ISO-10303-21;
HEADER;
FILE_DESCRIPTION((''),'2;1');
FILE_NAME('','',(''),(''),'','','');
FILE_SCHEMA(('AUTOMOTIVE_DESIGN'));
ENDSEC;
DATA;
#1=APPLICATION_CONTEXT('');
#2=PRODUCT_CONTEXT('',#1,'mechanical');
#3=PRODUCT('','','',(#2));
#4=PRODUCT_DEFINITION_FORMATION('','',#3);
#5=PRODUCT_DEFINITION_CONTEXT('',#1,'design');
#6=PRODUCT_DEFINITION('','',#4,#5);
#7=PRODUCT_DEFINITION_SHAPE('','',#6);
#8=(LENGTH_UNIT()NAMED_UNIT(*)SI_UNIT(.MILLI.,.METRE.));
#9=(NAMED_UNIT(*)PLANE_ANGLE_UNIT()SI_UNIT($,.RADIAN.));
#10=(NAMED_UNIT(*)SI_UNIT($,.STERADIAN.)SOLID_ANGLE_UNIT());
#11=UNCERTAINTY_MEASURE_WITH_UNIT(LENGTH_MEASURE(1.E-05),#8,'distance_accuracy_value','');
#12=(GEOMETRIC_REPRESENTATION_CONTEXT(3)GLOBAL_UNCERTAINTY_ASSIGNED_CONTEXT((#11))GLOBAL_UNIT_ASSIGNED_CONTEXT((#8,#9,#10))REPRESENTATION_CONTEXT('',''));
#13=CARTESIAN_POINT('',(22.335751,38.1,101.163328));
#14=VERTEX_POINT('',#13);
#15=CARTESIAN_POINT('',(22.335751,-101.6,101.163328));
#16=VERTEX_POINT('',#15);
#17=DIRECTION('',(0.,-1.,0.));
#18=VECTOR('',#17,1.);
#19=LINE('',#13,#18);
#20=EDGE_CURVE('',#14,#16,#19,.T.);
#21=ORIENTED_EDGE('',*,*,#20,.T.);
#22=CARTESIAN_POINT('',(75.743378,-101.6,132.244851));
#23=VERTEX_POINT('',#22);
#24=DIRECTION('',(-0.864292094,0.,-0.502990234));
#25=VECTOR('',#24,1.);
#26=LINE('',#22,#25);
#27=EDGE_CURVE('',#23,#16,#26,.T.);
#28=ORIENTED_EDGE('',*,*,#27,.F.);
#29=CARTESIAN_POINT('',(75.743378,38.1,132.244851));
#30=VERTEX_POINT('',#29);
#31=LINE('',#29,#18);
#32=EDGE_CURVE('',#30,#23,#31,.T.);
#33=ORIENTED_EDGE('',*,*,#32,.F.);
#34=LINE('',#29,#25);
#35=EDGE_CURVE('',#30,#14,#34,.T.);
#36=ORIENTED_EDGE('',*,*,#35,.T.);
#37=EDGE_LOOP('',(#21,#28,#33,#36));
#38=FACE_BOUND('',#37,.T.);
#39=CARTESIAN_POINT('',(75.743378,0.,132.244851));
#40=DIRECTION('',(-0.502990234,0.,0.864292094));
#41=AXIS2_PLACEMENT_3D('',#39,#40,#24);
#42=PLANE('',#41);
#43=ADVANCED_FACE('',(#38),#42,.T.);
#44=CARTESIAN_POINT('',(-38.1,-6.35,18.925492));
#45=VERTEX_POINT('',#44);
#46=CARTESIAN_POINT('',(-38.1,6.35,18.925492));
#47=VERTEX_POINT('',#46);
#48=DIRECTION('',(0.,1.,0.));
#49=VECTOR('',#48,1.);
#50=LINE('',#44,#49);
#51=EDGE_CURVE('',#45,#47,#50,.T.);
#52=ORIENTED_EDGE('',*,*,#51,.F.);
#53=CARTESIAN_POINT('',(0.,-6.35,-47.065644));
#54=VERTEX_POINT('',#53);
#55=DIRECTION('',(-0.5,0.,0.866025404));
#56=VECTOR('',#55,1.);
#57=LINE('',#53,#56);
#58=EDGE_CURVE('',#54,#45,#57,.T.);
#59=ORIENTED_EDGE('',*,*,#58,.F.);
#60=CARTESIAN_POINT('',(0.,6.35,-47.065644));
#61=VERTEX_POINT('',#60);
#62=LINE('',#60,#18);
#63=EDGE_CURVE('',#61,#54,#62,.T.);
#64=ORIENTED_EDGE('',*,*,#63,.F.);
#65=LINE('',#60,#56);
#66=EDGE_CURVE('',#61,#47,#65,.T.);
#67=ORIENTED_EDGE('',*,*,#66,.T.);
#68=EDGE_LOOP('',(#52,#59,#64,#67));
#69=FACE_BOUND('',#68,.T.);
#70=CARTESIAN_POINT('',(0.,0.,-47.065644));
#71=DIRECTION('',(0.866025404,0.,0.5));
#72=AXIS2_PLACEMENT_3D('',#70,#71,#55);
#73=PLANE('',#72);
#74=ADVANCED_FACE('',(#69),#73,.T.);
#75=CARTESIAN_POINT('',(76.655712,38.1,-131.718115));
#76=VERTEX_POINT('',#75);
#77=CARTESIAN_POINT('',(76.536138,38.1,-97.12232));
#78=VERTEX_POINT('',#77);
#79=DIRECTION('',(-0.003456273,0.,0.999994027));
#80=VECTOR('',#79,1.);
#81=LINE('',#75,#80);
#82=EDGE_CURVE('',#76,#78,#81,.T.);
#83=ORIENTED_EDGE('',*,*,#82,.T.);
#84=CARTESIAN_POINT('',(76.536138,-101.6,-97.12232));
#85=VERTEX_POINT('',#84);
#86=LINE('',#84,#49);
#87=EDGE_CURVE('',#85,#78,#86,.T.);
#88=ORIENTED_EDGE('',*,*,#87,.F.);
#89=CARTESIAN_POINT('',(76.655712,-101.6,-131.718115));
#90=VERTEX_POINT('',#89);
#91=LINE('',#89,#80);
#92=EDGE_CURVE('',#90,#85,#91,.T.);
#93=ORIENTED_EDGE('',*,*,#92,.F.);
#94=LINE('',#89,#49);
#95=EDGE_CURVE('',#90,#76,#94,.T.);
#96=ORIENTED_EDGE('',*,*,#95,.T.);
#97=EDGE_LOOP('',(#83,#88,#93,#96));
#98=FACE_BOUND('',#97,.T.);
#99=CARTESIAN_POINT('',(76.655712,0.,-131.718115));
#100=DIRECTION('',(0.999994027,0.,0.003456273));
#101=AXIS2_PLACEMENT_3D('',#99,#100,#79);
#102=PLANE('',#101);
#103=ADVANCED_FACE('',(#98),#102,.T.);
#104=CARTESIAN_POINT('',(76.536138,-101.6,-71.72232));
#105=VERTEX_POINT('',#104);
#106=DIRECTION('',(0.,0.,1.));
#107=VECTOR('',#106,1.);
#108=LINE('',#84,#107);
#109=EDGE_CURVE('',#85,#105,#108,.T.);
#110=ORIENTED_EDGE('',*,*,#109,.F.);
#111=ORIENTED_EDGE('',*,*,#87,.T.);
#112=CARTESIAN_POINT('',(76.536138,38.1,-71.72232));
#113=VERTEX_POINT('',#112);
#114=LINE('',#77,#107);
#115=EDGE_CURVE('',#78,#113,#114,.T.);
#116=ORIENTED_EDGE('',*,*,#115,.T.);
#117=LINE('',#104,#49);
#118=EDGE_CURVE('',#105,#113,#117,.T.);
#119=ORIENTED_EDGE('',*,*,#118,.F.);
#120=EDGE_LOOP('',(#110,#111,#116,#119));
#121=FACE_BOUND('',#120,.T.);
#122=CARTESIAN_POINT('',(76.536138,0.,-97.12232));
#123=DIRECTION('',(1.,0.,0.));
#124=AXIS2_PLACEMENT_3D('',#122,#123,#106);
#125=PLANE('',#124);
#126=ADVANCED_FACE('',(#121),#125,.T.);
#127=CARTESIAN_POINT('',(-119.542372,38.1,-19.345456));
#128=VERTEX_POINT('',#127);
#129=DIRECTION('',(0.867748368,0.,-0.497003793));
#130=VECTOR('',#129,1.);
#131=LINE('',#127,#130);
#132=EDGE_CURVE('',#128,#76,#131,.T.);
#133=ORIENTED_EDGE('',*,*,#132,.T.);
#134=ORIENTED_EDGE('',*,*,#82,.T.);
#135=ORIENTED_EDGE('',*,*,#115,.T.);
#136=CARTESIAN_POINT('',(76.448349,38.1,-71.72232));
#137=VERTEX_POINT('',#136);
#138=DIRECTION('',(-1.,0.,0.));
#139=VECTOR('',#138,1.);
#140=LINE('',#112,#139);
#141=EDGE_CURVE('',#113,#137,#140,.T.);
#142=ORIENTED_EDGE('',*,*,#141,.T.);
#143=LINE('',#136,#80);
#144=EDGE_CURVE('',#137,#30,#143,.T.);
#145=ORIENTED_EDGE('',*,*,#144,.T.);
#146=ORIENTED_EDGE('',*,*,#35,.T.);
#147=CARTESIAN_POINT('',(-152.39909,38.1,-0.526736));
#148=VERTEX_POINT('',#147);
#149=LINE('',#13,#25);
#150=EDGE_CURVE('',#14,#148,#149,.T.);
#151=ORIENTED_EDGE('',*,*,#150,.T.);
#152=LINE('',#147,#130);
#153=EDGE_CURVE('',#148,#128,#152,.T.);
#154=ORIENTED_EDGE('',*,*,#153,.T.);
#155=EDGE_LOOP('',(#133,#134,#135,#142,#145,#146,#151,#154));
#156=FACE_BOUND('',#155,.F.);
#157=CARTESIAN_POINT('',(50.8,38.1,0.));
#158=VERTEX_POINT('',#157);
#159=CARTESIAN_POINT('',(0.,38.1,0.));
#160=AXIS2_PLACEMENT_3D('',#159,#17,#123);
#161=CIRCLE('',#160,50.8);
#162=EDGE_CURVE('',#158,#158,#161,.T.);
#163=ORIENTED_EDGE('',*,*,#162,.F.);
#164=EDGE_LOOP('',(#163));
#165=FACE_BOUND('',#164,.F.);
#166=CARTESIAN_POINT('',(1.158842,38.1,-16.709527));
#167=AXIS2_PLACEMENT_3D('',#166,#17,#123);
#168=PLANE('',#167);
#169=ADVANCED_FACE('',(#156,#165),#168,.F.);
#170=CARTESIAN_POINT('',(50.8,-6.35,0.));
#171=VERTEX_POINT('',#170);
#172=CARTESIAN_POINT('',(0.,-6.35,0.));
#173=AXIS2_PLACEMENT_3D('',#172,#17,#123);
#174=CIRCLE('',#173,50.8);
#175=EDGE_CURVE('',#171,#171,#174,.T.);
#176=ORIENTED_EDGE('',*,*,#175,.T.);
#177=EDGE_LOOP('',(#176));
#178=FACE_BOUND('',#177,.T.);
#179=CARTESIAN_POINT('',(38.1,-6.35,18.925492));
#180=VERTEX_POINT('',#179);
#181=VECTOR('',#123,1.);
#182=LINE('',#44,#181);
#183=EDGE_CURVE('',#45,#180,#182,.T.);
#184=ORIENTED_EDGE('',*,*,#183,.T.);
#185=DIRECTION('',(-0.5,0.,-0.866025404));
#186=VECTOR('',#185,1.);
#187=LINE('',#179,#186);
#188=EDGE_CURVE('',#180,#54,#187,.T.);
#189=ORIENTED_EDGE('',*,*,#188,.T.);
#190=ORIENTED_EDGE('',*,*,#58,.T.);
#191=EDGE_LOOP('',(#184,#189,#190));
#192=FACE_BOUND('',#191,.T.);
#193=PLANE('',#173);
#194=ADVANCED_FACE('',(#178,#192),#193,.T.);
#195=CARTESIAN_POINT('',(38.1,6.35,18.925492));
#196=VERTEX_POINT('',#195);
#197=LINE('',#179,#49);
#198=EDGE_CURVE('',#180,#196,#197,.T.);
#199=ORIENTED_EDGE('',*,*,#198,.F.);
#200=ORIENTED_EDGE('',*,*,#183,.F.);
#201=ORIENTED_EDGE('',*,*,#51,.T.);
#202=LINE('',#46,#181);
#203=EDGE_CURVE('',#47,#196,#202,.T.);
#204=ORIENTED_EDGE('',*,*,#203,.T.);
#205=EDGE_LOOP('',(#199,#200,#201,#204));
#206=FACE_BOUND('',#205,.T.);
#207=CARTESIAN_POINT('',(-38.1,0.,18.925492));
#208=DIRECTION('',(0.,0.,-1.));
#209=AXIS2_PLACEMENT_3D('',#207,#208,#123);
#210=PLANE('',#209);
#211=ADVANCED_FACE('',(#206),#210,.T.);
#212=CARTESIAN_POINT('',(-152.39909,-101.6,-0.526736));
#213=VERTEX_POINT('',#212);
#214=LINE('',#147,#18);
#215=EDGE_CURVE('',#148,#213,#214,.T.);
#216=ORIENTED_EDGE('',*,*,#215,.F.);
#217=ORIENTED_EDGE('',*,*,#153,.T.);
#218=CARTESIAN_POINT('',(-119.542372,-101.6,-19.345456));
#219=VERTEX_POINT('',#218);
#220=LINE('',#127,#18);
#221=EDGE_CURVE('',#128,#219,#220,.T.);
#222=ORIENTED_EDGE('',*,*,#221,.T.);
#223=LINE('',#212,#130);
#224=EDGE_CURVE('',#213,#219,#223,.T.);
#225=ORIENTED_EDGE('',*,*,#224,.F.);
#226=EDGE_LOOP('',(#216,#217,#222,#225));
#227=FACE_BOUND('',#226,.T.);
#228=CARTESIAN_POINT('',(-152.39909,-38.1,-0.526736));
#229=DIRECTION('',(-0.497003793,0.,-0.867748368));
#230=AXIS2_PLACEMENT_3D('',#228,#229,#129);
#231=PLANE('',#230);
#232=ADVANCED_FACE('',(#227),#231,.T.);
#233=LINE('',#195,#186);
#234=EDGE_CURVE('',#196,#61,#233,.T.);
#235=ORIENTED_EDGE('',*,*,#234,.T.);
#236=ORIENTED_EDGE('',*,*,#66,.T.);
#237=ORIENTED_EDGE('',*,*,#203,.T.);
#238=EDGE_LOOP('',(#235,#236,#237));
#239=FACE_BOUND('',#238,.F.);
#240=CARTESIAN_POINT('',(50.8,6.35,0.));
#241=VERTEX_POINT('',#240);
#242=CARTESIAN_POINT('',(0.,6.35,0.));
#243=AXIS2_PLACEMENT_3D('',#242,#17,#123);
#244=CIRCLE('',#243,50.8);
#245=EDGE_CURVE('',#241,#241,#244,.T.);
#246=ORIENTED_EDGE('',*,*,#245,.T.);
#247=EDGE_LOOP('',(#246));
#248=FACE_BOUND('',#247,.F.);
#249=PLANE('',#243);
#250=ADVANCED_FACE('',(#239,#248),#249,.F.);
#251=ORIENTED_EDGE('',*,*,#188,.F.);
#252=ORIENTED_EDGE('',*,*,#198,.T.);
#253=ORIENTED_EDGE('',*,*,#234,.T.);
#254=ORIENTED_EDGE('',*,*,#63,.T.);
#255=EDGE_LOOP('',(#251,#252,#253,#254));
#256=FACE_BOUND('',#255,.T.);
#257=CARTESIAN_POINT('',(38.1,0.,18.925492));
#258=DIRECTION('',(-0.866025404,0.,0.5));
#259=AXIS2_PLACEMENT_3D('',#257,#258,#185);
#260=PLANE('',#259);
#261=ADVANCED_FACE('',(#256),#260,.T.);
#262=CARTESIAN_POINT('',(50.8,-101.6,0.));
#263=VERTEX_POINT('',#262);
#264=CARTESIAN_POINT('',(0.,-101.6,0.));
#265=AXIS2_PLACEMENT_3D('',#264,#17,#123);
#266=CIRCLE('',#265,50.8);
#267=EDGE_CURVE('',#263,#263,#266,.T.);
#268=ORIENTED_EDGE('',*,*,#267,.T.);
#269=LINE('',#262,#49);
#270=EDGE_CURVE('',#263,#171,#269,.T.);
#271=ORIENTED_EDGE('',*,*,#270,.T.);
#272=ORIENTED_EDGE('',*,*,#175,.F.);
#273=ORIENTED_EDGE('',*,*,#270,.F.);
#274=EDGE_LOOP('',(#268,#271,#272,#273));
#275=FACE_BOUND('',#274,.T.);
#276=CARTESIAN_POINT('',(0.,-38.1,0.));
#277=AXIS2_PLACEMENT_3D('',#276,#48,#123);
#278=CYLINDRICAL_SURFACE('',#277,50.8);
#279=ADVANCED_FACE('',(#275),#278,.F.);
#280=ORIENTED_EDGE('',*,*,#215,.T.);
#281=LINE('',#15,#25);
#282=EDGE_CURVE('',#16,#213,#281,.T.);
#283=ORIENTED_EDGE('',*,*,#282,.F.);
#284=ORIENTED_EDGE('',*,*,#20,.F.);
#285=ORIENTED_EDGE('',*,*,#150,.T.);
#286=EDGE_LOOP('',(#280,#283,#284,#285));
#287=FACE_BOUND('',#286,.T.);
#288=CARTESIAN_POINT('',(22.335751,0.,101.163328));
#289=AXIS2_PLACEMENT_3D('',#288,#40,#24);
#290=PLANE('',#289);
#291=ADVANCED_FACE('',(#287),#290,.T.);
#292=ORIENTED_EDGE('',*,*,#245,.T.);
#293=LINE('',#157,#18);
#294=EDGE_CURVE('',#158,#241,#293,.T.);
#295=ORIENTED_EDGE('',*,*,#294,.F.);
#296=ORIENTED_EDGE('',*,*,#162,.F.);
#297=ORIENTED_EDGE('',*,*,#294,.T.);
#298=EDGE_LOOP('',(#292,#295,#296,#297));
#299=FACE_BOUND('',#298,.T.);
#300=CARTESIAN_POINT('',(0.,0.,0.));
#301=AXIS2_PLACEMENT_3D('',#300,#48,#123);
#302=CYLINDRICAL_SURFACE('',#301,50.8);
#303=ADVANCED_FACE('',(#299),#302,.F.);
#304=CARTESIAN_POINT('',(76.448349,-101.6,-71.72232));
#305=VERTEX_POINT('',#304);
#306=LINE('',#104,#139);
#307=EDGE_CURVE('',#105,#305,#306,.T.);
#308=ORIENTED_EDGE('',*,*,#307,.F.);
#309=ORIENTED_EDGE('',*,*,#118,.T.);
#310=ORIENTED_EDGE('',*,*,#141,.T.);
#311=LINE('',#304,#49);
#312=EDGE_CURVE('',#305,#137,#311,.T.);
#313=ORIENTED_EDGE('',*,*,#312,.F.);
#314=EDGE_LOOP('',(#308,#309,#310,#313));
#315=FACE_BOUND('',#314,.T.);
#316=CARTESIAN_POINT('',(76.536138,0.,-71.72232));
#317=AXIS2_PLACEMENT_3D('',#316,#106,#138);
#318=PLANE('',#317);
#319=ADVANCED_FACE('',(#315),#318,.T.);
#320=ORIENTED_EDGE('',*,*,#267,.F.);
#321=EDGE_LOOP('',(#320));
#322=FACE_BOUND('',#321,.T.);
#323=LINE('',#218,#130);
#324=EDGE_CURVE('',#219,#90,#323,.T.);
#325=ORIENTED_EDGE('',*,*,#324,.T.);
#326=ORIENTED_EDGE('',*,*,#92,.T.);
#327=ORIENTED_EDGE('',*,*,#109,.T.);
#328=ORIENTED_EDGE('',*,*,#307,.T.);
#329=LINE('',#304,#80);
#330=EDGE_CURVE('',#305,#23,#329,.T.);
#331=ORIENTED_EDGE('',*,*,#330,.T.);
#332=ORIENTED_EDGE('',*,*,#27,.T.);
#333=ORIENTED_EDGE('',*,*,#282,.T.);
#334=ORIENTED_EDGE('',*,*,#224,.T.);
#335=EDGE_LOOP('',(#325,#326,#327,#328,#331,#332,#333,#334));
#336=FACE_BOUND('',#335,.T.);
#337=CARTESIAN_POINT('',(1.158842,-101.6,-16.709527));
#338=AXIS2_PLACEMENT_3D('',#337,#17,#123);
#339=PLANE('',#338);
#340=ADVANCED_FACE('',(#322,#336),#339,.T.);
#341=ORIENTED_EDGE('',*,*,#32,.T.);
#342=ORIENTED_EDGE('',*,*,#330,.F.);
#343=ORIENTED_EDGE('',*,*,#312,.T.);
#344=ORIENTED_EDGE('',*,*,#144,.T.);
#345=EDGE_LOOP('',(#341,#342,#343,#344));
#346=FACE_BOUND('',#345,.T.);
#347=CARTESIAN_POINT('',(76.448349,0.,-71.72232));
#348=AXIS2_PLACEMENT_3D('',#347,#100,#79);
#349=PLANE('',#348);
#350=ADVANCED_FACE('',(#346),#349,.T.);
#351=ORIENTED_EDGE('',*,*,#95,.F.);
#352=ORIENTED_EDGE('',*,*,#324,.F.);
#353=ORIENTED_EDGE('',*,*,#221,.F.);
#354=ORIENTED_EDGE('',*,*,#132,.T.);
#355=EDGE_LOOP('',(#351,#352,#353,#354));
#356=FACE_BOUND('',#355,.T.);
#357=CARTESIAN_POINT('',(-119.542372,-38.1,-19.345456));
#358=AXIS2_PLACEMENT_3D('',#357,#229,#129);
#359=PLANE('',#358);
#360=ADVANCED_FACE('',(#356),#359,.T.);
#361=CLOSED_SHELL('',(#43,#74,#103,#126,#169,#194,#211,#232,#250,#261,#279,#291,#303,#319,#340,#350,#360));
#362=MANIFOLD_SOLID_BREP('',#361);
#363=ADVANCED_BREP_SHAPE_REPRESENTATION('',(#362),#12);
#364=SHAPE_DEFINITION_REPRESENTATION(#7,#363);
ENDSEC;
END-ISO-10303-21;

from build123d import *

# Parameters (mm, degrees)
F0_R     = 50.8
F1_DEPTH = 6.35
F2_DEPTH = 38.1
F3_DEPTH = 63.5


with BuildPart() as f1:
    # F0 (on Front) → F1 (new body, symmetric)
    with BuildSketch(Plane.XZ):
        Circle(F0_R)
        Polygon((0, -47.0656435661), (-38.1, 18.9254922023), (38.1, 18.9254922023), align=None, mode=Mode.SUBTRACT)
    extrude(amount=F1_DEPTH, both=True)

    # F0 (on Front) → F2 (join, symmetric)
    with BuildSketch(Plane.XZ):
        with BuildLine():
            add(Edge.make_bspline(
                [(75.8723819512, 94.9205090511), (75.9331390119, 77.3418365937), (1.5317360093, 89.0560595825), (22.3357510028, 101.1633279928)],
                knots=[0, 0, 0, 0, 53.8993844273, 53.8993844273, 53.8993844273, 53.8993844273], degree=3))
            Line((22.3357510028, 101.1633279928), (-119.3492407465, 18.707214336))
            Line((-119.3492407465, 18.707214336), (-152.3990897254, -0.5267360641))
            Line((-152.3990897254, -0.5267360641), (-119.5423719358, -19.3454558368))
            Line((-119.5423719358, -19.3454558368), (76.6557116753, -131.7181151837))
            Line((76.6557116753, -131.7181151837), (76.5361384347, -97.1223199462))
            Line((76.5361384347, -97.1223199462), (25.7361384347, -97.1223199462))
            Line((25.7361384347, -97.1223199462), (25.7361384347, -71.7223199462))
            Line((25.7361384347, -71.7223199462), (76.4483485663, -71.7223199462))
            Line((76.4483485663, -71.7223199462), (75.8723819512, 94.9205090511))
        make_face()
        Circle(F0_R, mode=Mode.SUBTRACT)
        with BuildLine():
            Line((75.7433780501, 132.2448512478), (22.3357510028, 101.1633279928))
            add(Edge.make_bspline(
                [(75.8723819512, 94.9205090511), (75.9331390119, 77.3418365937), (1.5317360093, 89.0560595825), (22.3357510028, 101.1633279928)],
                knots=[0, 0, 0, 0, 53.8993844273, 53.8993844273, 53.8993844273, 53.8993844273], degree=3))
            Line((75.8723819512, 94.9205090511), (75.7433780501, 132.2448512478))
        make_face()
        Polygon((76.5361384347, -71.7223199462), (76.4483485663, -71.7223199462), (76.5361384347, -97.1223199462), align=None)
        Polygon((76.5361384347, -97.1223199462), (76.4483485663, -71.7223199462), (25.7361384347, -71.7223199462), (25.7361384347, -97.1223199462), align=None)
    extrude(amount=F2_DEPTH, both=True)

    # F3 (add, symmetric): a face of the model
    f3_faces = [f1.faces().sort_by_distance(p)[0] for p in [
        (73.1010560932, -38.1, -114.4322968597),
    ]]
    extrude(f3_faces, amount=F3_DEPTH, both=True)


solid = f1.part
